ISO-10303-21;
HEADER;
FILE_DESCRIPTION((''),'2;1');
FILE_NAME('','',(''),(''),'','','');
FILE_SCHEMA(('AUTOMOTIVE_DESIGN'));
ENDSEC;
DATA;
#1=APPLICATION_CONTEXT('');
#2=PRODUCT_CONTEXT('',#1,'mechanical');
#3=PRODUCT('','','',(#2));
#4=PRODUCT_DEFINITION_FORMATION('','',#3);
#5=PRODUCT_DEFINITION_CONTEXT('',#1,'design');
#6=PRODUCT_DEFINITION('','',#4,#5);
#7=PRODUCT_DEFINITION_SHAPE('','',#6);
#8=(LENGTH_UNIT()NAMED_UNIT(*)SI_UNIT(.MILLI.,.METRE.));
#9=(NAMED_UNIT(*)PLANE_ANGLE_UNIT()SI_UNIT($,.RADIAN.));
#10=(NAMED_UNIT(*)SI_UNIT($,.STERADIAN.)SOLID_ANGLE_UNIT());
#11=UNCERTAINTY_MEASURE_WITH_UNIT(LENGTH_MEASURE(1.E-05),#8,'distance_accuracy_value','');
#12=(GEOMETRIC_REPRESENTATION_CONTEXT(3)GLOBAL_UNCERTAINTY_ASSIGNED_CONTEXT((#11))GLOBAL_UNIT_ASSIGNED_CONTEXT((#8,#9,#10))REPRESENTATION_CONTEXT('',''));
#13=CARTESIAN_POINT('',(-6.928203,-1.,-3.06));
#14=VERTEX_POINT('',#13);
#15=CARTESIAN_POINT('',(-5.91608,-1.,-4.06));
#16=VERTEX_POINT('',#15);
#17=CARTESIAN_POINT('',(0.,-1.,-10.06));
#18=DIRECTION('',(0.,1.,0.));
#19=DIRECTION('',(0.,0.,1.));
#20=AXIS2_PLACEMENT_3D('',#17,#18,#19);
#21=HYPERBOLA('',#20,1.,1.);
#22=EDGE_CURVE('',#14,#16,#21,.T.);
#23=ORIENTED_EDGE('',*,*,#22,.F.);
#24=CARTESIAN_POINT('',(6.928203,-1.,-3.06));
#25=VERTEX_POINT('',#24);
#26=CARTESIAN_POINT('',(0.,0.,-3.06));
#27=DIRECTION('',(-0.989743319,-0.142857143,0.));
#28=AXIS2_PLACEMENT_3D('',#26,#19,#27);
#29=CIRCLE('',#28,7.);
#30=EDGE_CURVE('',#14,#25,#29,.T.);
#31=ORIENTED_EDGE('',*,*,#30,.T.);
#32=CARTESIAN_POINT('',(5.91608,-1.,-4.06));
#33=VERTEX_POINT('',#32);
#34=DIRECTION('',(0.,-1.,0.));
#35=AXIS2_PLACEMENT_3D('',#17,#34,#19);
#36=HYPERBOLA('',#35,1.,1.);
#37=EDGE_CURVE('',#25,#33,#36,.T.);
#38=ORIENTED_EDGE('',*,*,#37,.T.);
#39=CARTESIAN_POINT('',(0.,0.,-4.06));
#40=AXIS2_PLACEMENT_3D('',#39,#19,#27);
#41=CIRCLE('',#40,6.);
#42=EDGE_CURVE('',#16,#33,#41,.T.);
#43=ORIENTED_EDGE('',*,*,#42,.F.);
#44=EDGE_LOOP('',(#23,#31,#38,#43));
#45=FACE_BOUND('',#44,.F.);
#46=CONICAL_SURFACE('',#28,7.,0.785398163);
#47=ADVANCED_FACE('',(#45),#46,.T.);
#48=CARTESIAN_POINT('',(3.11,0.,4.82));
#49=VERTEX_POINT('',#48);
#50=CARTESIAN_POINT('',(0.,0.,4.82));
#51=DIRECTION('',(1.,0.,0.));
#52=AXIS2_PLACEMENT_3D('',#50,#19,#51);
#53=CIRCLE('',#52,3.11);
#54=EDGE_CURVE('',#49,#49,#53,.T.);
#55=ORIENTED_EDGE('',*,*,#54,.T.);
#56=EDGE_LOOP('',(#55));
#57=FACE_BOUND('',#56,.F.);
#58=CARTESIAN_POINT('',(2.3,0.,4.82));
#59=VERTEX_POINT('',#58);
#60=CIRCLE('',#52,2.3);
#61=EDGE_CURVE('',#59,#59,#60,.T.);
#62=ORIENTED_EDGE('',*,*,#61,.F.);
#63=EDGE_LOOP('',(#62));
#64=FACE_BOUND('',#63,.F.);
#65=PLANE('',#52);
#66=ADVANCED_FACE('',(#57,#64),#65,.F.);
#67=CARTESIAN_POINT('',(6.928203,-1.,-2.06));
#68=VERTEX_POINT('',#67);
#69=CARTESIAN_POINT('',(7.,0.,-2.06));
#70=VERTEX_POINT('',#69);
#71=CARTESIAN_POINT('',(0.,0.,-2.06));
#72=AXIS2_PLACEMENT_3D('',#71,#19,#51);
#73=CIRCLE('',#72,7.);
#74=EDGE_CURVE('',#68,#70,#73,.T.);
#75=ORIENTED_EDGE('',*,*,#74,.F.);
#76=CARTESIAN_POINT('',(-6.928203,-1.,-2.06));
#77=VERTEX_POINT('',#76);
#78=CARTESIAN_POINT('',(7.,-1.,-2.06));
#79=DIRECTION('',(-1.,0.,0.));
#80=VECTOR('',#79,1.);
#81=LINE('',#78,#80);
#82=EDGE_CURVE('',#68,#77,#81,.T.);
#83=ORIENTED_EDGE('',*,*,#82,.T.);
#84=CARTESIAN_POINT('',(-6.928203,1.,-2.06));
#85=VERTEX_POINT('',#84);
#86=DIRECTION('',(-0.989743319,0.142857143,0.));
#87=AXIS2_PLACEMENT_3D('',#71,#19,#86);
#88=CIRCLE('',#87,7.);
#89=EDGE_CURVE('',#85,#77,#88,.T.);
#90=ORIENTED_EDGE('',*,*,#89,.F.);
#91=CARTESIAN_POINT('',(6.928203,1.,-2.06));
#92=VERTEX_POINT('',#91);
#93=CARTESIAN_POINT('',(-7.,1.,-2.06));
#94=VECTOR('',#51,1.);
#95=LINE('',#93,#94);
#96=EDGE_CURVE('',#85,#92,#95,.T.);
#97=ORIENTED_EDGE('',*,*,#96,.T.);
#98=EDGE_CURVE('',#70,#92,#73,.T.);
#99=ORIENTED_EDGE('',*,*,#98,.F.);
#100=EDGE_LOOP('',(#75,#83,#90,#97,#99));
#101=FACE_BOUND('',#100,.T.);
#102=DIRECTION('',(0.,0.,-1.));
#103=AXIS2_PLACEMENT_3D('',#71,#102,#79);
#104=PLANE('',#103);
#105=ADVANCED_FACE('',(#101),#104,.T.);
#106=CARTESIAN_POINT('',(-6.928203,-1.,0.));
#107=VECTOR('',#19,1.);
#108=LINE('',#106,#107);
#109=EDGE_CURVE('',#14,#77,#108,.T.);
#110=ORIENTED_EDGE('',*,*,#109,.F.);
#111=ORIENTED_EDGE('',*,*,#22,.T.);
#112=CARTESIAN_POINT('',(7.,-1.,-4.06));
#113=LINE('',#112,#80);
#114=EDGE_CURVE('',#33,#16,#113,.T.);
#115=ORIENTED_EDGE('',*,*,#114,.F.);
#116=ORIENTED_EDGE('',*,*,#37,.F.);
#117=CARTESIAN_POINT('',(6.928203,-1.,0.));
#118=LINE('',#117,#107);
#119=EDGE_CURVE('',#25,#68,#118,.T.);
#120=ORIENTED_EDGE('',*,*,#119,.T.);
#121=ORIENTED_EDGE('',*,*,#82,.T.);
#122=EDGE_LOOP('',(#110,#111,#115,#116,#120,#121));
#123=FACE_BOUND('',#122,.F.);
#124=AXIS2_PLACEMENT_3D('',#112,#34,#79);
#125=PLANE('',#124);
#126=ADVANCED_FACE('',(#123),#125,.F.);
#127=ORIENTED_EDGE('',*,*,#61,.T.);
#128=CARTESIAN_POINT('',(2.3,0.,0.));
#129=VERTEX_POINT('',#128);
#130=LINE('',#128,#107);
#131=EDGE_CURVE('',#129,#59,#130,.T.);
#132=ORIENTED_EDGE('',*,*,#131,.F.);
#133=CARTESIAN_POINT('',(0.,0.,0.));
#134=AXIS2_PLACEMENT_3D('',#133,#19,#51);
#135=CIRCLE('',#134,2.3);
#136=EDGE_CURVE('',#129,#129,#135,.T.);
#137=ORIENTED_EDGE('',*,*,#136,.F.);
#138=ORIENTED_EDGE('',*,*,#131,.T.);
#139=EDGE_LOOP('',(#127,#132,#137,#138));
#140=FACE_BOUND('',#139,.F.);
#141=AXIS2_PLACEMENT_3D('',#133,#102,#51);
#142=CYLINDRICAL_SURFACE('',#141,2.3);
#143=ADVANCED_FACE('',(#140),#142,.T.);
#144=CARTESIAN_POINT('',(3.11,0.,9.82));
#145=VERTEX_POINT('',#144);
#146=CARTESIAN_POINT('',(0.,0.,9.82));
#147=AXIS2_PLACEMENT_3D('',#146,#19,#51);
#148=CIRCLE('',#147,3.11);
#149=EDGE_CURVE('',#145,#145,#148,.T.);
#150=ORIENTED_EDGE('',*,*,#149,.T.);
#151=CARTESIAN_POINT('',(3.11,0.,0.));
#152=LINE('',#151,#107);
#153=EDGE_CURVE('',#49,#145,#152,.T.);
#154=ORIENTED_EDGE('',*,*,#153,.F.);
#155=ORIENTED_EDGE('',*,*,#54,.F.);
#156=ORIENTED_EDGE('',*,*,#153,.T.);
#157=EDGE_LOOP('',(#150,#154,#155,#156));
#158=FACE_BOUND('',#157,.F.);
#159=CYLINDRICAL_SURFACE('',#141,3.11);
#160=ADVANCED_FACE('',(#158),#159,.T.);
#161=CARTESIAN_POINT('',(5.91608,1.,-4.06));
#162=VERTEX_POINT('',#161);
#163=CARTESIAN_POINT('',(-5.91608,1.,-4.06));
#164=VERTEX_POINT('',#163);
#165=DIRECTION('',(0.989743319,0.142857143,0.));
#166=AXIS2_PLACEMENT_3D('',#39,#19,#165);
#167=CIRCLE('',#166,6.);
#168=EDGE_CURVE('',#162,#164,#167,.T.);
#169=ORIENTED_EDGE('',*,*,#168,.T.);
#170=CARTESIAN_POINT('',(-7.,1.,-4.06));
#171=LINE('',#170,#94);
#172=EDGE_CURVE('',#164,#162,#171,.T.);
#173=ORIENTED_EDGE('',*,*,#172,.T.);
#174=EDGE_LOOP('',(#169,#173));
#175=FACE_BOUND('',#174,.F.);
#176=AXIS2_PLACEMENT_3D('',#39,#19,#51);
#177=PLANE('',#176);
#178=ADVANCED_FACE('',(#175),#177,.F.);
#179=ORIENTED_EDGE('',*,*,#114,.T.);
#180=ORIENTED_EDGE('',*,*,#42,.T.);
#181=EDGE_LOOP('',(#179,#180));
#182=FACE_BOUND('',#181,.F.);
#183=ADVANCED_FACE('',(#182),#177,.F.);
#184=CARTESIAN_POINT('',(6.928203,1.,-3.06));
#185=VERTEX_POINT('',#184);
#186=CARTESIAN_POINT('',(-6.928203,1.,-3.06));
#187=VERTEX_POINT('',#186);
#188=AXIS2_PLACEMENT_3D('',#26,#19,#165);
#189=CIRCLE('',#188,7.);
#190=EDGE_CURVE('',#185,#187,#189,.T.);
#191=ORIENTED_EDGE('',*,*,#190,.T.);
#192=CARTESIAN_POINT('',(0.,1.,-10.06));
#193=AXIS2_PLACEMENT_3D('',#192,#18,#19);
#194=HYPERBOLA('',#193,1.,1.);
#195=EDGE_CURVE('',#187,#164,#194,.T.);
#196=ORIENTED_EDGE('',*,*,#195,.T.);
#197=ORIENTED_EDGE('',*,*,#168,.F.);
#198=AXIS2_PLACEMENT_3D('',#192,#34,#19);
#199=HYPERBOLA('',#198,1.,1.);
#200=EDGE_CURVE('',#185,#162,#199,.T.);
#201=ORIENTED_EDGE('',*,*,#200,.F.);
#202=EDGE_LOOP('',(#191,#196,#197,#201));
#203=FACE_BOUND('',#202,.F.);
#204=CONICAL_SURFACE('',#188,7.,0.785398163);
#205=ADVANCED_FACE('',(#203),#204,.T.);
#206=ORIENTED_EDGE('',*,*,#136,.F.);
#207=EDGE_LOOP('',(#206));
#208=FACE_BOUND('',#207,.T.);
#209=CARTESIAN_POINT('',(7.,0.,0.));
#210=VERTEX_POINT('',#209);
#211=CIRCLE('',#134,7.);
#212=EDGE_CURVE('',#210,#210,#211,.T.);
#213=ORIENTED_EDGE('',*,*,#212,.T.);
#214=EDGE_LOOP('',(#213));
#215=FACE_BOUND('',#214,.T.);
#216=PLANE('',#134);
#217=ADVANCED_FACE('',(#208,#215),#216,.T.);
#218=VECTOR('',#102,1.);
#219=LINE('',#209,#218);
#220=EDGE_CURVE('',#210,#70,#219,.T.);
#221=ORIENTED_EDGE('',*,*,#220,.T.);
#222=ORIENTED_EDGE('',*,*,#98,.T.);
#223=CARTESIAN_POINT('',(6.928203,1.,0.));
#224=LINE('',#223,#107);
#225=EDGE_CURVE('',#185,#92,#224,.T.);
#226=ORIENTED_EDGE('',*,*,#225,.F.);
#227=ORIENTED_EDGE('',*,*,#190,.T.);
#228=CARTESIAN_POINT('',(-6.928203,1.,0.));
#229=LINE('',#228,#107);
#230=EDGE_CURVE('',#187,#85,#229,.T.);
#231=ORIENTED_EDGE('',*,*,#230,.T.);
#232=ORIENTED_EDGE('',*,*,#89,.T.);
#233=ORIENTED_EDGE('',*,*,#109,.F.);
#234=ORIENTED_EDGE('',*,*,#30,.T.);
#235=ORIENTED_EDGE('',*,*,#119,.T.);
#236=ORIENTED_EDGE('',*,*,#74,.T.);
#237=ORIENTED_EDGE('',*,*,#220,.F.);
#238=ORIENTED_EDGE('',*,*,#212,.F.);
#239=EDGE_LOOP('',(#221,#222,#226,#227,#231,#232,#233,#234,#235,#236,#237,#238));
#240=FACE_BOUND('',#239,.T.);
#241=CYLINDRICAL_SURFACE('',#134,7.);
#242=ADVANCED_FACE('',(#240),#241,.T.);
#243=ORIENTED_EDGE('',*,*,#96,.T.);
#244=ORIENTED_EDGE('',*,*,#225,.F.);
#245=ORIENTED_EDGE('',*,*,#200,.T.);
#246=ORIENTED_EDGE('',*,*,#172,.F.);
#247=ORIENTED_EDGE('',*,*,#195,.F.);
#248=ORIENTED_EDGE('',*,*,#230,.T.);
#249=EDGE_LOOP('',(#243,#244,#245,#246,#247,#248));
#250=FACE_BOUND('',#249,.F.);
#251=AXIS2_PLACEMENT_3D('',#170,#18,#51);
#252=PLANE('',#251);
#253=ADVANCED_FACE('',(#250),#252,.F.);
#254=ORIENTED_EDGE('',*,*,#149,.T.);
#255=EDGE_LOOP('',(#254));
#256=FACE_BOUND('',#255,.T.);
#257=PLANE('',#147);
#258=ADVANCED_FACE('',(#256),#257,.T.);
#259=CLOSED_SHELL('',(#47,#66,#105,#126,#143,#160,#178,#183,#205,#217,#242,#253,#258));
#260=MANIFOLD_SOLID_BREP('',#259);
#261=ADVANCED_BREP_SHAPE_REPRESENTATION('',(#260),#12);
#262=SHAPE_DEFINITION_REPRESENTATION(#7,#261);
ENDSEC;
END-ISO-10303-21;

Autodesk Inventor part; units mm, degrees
ref_plane "YZ Plane" through (0, 0, 0) normal (1, 0, 0) x (0, 1, 0)
ref_plane "XZ Plane" through (0, 0, 0) normal (0, 1, 0) x (-1, 0, 0)
ref_plane "XY Plane" through (0, 0, 0) normal (0, 0, 1) x (1, 0, 0)
sketch "Sketch1" plane through (0, 0, 0) normal (0, 0, 1) x (1, 0, 0)
  circle A0 centre (0, 0) radius 7
  circle A1 centre (0, 0) radius 2.3
  circle A2 centre (0, 0) radius 3.11
  dimension "d0" = 14
  dimension "d1" = 4.6
  dimension "d2" = 6.22
extrude "Extrusion1" add sketch "Sketch1" against normal blind 4.06 contours A0 | A1 | A2
extrude "Extrusion2" add sketch "Sketch1" along normal blind 9.82 contours A1 | A2
extrude "Extrusion3" cut sketch "Sketch1" along normal blind 4.82 contours A2
sketch "Sketch2" plane through (0, 0, -4.06) normal (0, 0, -1) x (-1, 0, 0)
  line L0 (7, 1) -> (-7, 1)
  line L1 (-7, 1) -> (-7, -1)
  line L2 (-7, -1) -> (7, -1)
  line L3 (7, -1) -> (7, 1)
  line L4 (7, 1) -> (-7, -1) construction
  line L5 (-7, 1) -> (7, -1) construction
  point P0 (0, 0)
  dimension "d9" = 2
extrude "Extrusion4" cut sketch "Sketch2" against normal blind 2
chamfer "Chamfer1" distance 1 angle 45 2 edges at (0, -7, -4.06) (0, 7, -4.06)
properties part number "AccessoryScrew"
